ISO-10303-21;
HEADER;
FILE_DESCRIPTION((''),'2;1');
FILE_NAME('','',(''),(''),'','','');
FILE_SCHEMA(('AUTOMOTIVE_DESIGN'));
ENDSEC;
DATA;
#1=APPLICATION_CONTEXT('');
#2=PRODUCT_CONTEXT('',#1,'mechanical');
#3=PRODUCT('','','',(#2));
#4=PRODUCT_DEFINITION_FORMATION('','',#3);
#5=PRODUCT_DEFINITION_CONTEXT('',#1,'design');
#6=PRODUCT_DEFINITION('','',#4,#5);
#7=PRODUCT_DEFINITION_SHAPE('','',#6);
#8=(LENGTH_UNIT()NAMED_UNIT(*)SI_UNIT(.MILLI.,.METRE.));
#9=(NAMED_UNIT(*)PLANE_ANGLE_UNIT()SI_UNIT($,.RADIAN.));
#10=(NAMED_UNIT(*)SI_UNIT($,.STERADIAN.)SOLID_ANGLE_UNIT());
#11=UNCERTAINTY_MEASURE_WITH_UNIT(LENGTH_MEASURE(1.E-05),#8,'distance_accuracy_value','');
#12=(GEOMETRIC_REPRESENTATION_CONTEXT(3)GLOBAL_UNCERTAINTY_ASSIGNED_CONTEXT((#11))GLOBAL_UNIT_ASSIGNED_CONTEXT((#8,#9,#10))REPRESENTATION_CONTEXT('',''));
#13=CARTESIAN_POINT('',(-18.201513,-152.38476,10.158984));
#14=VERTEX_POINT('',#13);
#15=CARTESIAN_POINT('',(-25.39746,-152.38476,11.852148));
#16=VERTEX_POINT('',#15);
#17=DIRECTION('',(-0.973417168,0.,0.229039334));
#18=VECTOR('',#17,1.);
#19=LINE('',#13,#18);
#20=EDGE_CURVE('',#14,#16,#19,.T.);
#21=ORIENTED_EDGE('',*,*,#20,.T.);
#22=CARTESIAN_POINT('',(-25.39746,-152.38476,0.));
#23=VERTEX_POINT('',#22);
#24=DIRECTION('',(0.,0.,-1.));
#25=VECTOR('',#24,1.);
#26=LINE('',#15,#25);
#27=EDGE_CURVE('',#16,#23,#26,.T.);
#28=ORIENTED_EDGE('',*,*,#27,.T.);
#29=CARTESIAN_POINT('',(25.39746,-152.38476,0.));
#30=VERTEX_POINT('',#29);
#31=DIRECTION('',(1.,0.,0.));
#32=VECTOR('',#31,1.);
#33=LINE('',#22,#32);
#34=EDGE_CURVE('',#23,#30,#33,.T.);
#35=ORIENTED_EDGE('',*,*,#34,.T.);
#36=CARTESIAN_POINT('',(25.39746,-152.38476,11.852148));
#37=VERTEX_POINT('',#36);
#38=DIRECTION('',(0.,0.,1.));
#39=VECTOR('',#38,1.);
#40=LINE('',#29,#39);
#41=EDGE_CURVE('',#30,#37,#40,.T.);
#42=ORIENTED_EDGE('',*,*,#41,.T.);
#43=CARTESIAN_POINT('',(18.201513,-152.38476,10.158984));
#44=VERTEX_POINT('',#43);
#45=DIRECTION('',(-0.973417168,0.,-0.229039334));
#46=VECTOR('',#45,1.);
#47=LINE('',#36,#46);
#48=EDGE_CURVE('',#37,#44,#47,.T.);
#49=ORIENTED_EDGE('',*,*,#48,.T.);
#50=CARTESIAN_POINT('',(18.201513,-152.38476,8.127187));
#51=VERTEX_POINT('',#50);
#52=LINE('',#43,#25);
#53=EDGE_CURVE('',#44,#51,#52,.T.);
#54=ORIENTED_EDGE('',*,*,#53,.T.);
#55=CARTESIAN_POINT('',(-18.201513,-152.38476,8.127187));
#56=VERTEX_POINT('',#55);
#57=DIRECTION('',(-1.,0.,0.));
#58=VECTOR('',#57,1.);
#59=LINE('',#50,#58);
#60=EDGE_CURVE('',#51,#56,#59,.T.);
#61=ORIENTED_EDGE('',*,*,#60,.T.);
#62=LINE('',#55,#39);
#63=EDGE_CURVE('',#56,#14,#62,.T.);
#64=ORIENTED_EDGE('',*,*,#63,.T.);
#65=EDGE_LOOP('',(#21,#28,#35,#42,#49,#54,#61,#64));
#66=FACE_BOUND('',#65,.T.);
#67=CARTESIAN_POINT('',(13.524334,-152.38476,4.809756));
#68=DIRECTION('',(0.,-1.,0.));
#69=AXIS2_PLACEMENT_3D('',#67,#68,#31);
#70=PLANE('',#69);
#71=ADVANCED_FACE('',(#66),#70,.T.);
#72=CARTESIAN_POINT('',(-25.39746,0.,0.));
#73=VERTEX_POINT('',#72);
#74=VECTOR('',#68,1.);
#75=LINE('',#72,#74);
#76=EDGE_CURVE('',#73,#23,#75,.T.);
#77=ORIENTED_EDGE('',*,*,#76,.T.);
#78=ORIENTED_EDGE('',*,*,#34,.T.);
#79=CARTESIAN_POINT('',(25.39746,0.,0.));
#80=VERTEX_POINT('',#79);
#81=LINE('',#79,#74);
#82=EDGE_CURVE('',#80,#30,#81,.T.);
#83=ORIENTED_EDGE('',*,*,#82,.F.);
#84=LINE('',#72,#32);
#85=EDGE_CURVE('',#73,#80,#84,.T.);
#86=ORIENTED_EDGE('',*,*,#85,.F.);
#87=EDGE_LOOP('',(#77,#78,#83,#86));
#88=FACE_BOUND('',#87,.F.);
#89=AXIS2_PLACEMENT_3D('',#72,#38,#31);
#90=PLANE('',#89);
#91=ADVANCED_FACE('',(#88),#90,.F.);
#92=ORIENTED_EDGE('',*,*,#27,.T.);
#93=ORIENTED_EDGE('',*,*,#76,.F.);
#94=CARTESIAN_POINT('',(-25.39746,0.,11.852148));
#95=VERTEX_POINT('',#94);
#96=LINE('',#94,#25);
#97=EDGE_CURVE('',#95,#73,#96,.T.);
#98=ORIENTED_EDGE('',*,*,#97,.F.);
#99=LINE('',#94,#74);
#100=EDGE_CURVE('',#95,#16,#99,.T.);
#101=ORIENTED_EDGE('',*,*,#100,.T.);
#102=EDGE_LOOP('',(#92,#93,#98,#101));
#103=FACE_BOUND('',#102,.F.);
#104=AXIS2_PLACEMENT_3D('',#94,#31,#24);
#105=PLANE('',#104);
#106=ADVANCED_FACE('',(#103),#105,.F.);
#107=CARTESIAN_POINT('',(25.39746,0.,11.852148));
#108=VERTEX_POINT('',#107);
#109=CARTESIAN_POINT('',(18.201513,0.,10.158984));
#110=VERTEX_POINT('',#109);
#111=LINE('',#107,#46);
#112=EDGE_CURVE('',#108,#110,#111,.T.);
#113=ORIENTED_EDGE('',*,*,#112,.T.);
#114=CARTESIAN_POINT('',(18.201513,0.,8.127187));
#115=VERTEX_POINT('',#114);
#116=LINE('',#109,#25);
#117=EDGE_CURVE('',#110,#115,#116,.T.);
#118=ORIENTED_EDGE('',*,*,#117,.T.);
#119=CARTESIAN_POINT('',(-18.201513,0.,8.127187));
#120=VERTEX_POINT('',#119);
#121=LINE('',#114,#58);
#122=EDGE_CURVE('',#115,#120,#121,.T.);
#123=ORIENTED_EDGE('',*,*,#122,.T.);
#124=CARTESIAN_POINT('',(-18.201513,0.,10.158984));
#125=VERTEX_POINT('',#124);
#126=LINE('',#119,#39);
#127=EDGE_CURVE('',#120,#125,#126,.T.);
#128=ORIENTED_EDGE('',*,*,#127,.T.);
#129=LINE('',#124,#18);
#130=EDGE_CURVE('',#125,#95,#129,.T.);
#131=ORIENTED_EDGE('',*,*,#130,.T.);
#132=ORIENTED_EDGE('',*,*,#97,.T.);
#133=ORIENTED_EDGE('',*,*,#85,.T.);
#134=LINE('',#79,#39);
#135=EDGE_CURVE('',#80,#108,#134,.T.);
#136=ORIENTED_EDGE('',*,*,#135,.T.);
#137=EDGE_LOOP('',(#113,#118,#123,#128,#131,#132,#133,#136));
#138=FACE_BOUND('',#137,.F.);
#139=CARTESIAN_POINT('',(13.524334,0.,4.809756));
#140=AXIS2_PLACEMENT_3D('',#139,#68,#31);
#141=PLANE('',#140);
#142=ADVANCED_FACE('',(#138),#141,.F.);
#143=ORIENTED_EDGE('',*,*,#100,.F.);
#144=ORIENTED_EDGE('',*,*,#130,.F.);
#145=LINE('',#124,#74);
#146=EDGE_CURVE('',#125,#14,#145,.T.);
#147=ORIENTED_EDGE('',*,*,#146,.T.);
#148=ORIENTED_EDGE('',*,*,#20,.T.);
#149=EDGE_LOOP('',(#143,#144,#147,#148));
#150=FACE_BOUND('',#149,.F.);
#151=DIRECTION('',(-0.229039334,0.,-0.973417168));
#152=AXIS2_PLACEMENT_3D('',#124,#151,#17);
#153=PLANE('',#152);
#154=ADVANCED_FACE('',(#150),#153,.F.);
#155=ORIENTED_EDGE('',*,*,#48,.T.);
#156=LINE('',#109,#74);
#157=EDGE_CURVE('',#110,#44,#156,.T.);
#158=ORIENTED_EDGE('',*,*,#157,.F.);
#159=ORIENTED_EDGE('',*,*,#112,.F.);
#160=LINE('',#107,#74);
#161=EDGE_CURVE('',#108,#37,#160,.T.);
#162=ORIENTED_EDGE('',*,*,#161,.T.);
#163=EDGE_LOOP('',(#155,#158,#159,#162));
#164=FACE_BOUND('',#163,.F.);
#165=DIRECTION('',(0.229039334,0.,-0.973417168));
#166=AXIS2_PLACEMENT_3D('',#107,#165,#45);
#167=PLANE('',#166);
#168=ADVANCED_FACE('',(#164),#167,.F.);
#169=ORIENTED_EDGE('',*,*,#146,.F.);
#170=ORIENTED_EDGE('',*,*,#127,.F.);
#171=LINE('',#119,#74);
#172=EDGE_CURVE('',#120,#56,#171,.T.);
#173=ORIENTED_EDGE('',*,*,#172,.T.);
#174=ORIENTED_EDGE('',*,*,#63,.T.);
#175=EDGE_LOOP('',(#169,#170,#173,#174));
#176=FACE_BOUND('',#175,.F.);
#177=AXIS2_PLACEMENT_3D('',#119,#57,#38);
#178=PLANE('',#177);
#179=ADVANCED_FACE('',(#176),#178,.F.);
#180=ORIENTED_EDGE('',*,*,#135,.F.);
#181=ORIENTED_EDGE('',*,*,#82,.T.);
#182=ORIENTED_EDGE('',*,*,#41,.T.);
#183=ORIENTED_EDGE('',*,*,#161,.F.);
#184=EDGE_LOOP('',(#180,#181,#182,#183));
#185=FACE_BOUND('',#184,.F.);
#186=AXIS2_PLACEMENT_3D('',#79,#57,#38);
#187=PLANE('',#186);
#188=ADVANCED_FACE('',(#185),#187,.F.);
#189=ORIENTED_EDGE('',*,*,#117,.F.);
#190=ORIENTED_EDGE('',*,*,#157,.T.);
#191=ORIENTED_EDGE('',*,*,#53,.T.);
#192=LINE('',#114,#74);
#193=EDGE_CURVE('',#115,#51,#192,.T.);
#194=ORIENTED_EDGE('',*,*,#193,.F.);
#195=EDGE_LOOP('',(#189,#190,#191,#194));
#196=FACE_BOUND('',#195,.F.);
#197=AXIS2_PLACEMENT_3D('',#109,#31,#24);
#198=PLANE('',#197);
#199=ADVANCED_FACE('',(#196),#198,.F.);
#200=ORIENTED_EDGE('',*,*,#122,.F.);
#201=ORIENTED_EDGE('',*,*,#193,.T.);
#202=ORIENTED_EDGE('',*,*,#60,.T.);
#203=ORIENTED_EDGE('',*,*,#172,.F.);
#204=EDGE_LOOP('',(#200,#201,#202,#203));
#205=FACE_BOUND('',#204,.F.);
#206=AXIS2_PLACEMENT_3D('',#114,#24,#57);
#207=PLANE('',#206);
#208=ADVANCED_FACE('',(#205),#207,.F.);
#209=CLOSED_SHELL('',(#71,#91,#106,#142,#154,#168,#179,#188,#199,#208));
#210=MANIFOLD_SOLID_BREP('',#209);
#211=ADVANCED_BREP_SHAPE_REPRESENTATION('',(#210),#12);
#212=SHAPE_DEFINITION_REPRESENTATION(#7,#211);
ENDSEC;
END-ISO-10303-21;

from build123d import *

# Parameters (mm, degrees)
F1_DEPTH = 228.6
F2_SCALE = 0.6666


with BuildPart() as f1:
    # F0 (on Front) → F1 (new body)
    with BuildSketch(Plane.XZ):
        Polygon((0, 12.192), (0, 0), (38.1, 0), (38.1, 17.78), (27.305, 15.24), (27.305, 12.192), align=None)
        Polygon((-38.1, 0), (0, 0), (0, 12.192), (-27.305, 12.192), (-27.305, 15.24), (-38.1, 17.78), align=None)
    extrude(amount=F1_DEPTH)


with BuildPart() as f1_1:
    # F2: moved
    add(f1.part.scale(F2_SCALE))


solid = f1_1.part
